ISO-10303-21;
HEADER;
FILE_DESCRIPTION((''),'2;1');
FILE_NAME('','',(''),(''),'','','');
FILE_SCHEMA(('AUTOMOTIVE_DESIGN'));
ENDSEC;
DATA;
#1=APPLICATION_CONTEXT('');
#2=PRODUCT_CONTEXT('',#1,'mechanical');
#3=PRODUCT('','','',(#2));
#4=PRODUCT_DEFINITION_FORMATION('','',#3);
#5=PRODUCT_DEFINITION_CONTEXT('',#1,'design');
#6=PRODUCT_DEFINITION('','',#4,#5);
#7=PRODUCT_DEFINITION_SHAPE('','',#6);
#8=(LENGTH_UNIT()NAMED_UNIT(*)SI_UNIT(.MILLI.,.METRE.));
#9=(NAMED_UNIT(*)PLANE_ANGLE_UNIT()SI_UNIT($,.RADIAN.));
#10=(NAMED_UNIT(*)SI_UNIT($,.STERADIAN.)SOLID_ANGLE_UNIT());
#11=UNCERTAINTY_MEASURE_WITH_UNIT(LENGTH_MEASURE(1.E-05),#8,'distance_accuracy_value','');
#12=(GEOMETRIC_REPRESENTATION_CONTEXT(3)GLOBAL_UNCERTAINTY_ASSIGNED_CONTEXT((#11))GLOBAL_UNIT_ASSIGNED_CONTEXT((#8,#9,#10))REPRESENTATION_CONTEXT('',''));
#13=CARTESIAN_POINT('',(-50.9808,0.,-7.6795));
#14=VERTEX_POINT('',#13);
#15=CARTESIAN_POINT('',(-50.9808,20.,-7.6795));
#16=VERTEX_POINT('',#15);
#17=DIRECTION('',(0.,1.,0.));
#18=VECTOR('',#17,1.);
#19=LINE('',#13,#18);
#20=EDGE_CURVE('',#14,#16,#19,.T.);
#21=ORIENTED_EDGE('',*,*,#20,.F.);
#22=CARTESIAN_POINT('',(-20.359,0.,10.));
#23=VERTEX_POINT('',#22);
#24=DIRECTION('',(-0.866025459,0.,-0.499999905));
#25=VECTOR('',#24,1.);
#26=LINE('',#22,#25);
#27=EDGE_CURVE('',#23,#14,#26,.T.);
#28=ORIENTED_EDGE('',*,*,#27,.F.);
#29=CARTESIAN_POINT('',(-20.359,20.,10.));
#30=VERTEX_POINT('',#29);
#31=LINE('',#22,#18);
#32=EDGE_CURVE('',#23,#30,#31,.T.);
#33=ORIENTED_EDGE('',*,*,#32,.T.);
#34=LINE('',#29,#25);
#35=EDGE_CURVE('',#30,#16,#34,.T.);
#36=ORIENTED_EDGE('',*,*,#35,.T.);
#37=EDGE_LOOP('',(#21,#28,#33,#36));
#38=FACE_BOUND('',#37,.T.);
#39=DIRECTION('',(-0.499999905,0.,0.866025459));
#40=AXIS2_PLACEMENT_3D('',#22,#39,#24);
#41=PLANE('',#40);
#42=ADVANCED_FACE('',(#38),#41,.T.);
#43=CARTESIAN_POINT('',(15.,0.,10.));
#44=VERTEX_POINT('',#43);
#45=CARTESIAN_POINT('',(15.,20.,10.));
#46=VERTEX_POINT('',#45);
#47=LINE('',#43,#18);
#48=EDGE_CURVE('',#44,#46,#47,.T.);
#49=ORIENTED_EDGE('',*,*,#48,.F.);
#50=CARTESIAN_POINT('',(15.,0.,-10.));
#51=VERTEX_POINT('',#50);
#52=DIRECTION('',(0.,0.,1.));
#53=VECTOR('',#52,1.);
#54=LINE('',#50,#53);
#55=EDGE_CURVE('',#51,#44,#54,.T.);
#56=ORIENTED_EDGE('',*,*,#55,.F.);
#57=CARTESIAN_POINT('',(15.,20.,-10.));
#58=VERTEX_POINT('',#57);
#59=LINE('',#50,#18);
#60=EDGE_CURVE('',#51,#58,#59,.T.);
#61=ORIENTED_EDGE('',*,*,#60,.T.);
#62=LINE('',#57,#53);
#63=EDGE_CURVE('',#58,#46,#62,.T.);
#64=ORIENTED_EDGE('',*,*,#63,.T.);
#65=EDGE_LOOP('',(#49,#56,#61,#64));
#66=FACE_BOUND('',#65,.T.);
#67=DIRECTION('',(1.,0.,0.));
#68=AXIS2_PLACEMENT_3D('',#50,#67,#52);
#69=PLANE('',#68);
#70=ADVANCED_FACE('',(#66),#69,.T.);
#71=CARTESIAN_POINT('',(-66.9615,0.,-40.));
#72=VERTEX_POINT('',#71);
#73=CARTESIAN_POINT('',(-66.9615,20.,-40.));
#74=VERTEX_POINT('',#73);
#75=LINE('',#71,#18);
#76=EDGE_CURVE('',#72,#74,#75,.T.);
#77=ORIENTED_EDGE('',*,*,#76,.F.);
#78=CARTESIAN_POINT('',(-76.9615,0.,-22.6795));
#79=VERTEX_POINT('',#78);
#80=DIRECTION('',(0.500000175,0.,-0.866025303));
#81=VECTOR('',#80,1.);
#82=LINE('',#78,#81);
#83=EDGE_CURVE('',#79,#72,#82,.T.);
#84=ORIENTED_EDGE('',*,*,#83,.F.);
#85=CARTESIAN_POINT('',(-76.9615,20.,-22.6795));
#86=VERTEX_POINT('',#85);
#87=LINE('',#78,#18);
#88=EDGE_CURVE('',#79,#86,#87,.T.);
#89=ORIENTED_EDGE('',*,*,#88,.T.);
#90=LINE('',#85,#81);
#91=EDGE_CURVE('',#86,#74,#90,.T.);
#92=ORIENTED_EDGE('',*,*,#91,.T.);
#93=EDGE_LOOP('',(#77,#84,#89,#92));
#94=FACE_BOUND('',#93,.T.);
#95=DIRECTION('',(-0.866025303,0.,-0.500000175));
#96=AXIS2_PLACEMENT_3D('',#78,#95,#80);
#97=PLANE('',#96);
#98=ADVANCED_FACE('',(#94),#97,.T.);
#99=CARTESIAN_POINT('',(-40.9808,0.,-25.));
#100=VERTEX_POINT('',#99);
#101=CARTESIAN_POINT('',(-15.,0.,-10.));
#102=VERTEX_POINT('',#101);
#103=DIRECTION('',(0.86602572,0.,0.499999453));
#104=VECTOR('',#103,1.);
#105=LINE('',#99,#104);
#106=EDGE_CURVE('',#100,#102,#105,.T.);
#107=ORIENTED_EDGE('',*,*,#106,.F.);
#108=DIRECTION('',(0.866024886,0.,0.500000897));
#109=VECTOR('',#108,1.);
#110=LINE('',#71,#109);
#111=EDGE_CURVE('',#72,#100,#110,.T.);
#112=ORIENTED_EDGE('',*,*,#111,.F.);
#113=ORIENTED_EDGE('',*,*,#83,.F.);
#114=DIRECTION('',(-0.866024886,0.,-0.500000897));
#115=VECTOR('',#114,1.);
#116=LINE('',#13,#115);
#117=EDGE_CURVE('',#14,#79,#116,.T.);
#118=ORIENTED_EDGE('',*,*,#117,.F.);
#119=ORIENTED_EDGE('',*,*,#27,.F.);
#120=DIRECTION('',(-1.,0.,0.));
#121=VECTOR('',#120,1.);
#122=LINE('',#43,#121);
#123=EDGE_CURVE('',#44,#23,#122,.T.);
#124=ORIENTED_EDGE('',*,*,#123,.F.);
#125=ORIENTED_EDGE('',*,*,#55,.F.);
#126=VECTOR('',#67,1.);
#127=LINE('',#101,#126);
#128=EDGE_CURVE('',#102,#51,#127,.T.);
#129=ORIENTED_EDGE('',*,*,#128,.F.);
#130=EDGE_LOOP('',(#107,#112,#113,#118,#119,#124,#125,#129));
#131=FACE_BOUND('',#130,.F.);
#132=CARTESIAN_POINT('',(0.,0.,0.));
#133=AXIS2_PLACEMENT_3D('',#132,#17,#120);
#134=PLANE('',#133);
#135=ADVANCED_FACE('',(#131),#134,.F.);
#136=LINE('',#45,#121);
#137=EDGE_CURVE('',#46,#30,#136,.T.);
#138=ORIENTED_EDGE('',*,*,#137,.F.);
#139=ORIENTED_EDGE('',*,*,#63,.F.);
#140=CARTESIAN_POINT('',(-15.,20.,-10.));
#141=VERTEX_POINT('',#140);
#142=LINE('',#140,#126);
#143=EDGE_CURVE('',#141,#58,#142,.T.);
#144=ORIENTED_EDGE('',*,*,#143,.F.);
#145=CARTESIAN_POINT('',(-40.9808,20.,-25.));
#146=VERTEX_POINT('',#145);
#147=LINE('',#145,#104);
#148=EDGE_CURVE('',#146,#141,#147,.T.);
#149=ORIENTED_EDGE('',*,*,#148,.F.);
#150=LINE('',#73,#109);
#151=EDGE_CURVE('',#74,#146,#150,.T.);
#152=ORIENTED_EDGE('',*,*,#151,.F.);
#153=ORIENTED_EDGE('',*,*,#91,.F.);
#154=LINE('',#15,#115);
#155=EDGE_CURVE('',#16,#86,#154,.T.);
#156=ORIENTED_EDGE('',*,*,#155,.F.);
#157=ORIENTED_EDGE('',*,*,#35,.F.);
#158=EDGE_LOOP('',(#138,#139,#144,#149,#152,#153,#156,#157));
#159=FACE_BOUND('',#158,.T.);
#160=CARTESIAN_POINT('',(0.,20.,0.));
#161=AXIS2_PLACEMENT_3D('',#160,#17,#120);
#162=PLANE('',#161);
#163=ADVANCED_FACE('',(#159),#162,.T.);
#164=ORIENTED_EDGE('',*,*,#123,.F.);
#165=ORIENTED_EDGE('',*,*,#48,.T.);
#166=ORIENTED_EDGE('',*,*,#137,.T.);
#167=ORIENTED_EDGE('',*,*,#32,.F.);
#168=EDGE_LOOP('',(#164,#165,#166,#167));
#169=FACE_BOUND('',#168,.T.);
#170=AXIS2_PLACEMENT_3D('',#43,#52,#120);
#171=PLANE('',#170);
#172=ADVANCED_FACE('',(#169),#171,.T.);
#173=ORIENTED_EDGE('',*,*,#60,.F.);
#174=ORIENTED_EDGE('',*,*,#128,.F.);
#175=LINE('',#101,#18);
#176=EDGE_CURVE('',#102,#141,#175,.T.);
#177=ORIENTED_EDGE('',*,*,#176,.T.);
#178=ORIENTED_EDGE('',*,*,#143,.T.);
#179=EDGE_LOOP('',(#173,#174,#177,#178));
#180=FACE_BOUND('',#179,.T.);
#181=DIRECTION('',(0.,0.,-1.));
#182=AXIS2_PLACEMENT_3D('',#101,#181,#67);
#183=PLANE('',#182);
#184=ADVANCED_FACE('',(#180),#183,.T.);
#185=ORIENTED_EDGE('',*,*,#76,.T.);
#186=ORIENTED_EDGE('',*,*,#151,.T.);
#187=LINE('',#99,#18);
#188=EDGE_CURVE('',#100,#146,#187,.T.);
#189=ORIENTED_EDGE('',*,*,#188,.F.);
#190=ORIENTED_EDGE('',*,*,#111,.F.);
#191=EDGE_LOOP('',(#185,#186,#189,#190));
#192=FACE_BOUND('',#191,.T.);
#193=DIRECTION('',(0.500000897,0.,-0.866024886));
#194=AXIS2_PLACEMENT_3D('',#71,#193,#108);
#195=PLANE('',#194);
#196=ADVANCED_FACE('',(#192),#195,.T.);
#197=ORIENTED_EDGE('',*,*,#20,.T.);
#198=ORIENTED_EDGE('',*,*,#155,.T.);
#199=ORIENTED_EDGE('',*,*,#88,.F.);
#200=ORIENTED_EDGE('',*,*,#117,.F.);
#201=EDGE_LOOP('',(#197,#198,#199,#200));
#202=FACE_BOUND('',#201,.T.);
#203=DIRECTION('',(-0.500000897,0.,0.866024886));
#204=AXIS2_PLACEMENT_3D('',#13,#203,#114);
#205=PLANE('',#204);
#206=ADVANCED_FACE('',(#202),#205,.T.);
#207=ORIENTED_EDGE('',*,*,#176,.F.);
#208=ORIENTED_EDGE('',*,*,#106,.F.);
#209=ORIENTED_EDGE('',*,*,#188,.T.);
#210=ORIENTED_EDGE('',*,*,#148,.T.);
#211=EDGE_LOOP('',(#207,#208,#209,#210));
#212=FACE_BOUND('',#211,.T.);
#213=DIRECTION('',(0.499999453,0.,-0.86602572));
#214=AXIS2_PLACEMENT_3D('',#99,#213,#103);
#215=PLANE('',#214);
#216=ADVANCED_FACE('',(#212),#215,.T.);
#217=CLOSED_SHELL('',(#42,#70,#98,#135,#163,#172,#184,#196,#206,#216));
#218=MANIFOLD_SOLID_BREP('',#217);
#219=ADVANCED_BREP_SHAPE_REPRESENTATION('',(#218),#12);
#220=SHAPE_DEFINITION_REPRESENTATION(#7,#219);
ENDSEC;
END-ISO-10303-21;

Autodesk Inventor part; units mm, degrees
ref_plane "YZ Plane" through (0, 0, 0) normal (1, 0, 0) x (0, 1, 0)
ref_plane "XZ Plane" through (0, 0, 0) normal (0, 1, 0) x (-1, 0, 0)
ref_plane "XY Plane" through (0, 0, 0) normal (0, 0, 1) x (1, 0, 0)
sketch "Sketch1" plane through (0, 0, 0) normal (0, 1, 0) x (-1, 0, 0)
  line L0 (-15, 10) -> (20.359, 10)
  line L1 (25, 7.3205) -> (15, -10) construction
  line L2 (15, -10) -> (-15, -10)
  line L3 (-15, -10) -> (-15, 10)
  line L4 (-15, 10) -> (15, -10) construction
  line L5 (15, 10) -> (-15, -10) construction
  line L6 (20.359, 10) -> (50.9808, -7.6795)
  line L7 (50.9808, -7.6795) -> (40.9808, -25)
  line L8 (40.9808, -25) -> (15, -10)
  line L9 (15, -10) -> (15, 10) construction
  line L10 (50.9808, -7.6795) -> (76.9615, -22.6795)
  line L11 (76.9615, -22.6795) -> (66.9615, -40)
  line L12 (66.9615, -40) -> (40.9808, -25)
  line L13 (40.9808, -25) -> (50.9808, -7.6795)
  point P0 (0, 0)
  point P1 (15, -10)
  dimension "d0" = 30
  dimension "d3" = 30
  dimension "d4" = 20
extrude "Extrusion1" add sketch "Sketch1" along normal blind 20
properties part number "finger_one_bend"
